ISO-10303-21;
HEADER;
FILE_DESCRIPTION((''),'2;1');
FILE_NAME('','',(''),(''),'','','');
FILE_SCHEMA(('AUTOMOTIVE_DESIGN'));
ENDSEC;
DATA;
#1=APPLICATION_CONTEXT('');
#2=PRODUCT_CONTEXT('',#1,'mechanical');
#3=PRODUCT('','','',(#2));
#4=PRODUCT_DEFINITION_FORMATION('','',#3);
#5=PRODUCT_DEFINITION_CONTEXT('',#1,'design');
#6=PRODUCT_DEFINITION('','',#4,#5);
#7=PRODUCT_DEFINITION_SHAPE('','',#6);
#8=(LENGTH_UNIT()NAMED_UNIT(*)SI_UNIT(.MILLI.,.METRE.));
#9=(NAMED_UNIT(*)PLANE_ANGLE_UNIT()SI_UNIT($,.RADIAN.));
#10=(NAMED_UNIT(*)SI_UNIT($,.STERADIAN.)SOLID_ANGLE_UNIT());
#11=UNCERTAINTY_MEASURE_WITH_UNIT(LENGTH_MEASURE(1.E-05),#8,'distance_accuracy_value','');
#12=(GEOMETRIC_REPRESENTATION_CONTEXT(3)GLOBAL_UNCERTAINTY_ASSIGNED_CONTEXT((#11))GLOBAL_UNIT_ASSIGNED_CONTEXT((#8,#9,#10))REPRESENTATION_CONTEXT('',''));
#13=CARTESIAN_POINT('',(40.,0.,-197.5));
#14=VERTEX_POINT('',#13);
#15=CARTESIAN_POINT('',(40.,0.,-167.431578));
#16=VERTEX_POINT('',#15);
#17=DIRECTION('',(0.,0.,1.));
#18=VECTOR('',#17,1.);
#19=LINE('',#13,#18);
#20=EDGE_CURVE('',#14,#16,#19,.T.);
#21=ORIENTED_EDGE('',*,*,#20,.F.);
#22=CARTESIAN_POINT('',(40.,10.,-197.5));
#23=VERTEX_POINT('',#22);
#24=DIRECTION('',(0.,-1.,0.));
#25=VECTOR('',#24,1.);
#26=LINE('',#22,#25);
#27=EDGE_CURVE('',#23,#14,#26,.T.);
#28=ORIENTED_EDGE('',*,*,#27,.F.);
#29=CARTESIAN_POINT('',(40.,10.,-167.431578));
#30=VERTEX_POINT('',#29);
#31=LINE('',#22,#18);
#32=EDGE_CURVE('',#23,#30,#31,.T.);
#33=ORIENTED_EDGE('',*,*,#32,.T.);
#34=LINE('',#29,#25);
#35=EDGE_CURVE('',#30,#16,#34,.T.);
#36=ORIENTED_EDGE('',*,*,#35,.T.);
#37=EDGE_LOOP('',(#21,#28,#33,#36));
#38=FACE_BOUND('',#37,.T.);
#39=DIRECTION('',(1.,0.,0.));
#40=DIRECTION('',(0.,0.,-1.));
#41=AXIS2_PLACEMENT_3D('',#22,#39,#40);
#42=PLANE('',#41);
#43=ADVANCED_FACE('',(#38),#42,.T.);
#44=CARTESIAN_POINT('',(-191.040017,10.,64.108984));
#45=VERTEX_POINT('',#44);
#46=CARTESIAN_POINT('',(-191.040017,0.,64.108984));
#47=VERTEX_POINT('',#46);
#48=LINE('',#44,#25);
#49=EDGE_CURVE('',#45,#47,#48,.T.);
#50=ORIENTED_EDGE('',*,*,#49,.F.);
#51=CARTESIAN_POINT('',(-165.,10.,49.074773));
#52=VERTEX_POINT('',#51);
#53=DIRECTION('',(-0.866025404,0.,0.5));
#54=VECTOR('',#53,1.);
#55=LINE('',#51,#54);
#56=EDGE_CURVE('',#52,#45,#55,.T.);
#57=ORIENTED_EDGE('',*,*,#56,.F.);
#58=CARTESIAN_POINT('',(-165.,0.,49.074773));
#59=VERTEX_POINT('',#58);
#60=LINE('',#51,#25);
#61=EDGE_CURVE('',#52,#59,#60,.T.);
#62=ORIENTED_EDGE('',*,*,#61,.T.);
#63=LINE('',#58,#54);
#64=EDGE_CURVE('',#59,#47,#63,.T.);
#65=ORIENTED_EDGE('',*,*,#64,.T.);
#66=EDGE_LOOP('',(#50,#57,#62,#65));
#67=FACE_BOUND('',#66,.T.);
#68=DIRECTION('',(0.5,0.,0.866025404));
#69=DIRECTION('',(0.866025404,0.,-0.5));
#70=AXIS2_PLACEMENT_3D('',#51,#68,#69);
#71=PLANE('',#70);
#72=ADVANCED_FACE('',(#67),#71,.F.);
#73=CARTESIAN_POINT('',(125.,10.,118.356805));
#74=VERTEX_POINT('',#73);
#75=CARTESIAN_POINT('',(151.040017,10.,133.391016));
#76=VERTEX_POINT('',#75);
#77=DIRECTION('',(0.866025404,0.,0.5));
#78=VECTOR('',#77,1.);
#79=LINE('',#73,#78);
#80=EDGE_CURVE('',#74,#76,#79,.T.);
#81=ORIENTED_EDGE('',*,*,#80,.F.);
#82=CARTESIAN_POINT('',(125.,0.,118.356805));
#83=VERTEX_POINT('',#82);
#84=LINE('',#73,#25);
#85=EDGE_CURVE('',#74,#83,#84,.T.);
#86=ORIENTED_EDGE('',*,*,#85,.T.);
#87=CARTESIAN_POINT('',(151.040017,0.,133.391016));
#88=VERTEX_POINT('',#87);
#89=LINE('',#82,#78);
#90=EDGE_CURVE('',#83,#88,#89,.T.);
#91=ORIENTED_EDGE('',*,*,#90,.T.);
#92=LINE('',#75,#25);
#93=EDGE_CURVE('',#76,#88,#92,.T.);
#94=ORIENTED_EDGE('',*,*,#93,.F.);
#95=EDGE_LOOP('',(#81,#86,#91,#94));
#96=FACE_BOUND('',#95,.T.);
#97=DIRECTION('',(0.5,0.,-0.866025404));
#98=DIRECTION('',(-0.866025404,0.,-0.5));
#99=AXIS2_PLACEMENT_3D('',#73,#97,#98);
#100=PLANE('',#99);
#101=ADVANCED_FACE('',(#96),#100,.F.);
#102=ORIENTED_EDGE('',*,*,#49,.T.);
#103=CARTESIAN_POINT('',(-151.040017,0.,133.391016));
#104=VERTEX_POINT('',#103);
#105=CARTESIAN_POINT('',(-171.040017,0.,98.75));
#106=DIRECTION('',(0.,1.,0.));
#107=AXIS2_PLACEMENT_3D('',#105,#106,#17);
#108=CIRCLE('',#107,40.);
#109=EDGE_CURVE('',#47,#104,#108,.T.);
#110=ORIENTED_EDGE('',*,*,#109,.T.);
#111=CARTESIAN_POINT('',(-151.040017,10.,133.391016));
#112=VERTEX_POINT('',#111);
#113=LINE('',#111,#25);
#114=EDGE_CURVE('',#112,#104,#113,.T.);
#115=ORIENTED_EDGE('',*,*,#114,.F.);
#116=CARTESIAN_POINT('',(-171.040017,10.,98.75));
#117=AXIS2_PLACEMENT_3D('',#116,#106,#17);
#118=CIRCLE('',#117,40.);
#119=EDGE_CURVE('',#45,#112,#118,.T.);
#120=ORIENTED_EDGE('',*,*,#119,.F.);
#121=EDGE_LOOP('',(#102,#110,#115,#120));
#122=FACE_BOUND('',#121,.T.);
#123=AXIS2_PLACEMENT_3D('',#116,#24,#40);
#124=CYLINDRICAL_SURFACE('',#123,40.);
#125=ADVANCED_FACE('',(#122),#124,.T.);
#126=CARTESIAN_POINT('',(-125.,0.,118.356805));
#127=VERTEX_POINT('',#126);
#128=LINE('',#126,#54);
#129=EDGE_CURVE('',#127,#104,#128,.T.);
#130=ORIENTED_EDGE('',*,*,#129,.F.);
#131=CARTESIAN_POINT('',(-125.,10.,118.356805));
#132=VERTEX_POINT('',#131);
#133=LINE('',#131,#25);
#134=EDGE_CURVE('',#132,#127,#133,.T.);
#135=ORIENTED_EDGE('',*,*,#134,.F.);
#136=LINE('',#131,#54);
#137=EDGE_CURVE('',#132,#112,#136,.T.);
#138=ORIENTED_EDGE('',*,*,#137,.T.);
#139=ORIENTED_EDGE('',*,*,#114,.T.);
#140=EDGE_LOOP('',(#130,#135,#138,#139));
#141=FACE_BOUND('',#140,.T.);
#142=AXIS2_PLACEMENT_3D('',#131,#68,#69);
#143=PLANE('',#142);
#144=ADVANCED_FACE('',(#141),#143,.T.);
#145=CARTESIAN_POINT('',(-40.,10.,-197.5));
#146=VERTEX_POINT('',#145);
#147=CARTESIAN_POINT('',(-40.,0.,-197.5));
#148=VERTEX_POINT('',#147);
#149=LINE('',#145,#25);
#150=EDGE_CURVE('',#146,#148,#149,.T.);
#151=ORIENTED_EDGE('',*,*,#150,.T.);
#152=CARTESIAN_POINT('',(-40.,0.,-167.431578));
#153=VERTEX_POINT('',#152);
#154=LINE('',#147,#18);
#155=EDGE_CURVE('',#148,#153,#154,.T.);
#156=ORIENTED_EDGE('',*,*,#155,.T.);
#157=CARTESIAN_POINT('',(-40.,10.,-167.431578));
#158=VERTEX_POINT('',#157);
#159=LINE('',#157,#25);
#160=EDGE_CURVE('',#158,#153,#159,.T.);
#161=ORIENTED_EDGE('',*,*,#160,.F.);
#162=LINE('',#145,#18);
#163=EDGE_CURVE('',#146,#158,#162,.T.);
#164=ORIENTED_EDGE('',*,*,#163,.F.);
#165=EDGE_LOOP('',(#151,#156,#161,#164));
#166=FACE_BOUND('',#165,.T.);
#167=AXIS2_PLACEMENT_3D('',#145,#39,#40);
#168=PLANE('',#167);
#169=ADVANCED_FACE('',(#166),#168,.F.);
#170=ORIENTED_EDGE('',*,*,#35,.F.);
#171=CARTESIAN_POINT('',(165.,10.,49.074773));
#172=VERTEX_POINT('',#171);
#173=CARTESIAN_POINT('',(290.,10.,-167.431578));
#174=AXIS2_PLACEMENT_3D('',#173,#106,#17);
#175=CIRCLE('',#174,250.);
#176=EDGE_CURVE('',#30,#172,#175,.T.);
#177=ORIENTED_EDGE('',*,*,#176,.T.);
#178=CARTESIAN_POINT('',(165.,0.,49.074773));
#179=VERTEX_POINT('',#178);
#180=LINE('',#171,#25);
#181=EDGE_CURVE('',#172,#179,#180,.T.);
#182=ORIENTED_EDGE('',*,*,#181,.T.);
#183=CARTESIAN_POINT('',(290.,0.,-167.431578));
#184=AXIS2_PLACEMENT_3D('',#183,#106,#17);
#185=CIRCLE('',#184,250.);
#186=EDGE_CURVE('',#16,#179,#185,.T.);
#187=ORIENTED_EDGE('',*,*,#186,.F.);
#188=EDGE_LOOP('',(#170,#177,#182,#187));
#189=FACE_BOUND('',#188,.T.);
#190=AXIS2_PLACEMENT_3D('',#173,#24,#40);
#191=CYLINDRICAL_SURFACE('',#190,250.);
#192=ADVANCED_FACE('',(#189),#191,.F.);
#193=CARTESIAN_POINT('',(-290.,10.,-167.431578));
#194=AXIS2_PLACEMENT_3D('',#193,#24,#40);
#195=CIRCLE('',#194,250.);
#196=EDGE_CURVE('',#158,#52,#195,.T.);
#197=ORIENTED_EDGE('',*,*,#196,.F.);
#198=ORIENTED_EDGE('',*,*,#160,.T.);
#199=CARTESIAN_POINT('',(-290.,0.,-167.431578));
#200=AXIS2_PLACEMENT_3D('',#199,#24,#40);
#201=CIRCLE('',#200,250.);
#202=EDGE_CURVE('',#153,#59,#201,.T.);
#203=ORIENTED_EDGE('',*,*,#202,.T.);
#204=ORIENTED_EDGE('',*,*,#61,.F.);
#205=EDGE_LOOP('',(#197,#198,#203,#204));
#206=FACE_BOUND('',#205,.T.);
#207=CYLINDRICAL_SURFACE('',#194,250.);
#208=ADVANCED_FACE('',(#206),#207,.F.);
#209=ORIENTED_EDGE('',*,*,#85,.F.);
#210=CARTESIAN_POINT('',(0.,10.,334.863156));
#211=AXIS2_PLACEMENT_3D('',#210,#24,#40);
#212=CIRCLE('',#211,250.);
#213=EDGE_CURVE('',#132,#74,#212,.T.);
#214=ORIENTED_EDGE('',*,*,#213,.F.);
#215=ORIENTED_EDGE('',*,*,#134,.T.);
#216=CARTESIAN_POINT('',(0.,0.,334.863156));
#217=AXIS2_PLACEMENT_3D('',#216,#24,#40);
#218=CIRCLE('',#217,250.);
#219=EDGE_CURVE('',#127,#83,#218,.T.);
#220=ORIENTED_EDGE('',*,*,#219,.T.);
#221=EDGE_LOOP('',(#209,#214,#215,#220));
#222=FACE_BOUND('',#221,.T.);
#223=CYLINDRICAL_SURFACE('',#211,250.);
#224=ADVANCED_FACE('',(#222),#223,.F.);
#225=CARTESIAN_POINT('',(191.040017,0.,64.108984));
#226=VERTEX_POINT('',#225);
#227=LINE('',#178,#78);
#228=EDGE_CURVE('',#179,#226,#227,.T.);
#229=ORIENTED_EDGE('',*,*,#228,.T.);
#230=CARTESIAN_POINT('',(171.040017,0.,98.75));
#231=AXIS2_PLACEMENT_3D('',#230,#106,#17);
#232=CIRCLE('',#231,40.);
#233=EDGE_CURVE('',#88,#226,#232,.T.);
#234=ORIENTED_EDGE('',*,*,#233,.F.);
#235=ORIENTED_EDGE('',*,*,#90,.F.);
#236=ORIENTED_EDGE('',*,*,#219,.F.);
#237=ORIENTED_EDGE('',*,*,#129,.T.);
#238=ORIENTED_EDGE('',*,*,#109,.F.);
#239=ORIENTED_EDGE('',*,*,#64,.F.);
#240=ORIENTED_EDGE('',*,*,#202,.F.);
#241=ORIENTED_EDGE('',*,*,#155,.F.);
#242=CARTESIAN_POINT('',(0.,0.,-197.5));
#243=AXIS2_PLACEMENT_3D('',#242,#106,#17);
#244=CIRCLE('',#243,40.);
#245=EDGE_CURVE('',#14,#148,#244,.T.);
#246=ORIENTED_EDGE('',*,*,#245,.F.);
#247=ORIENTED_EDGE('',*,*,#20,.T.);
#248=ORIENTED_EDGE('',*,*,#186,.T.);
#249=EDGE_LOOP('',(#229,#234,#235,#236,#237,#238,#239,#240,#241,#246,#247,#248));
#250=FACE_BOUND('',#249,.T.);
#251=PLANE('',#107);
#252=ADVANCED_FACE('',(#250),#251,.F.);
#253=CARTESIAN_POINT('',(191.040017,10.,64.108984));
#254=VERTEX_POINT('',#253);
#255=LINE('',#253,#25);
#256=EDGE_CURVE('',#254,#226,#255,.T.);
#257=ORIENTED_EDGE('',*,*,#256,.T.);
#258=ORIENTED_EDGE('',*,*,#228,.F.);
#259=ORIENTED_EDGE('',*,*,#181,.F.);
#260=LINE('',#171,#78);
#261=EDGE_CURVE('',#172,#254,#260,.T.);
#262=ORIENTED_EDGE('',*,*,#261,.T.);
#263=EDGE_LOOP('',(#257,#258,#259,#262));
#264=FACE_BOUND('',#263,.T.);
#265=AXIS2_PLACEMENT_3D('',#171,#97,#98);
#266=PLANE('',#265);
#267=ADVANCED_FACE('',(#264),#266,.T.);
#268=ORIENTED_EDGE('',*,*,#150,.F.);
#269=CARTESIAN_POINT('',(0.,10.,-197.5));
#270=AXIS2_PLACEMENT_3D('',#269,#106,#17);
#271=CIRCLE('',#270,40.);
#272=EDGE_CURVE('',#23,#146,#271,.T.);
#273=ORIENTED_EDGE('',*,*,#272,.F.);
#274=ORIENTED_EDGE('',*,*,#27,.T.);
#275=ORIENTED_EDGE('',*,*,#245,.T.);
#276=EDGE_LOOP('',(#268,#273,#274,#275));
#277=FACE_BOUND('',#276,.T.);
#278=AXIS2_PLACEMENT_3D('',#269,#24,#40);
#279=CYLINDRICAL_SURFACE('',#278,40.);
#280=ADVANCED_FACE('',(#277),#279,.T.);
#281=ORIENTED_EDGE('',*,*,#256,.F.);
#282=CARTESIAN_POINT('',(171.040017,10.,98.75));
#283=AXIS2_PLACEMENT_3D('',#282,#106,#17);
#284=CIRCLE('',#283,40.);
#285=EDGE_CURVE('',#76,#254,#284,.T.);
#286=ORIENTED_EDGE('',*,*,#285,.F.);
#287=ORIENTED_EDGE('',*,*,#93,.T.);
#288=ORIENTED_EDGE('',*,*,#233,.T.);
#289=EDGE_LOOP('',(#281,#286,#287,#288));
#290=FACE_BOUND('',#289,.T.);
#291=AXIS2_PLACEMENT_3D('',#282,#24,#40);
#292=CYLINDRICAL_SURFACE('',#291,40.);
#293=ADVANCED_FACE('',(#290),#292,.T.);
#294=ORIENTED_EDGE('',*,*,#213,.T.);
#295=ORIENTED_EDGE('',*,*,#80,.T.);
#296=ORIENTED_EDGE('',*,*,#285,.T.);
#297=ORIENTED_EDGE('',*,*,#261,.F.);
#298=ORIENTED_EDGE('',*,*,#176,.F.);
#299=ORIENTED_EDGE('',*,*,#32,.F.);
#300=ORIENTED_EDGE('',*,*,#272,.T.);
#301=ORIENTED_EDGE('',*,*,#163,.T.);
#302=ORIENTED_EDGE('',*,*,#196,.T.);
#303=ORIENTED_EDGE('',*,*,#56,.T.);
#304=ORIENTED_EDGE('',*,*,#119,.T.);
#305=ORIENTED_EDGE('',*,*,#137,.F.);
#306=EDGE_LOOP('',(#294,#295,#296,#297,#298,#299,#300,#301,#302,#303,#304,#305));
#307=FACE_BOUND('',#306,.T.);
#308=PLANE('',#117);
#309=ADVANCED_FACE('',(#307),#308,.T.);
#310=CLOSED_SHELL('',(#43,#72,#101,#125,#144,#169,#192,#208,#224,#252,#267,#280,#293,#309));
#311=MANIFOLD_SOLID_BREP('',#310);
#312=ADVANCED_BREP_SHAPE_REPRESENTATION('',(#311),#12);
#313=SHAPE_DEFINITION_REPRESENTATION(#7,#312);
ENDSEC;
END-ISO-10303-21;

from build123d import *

# Parameters (mm, degrees)
BOSS_EXTRUDE2_DEPTH = 10


with BuildPart() as part:
    # Sketch1 → Boss-Extrude2 (new body)
    with BuildSketch(Plane(origin=(0, 0, 0), x_dir=(1, 0, 0), z_dir=(0, 1, 0))):
        with BuildLine():
            Line((40, 197.5), (40, 167.431578065))
            ThreePointArc((40, 167.431578065), (73.493649054, 42.431578065), (165, -49.074772881))
            Line((165, -49.074772881), (191.040017247, -64.108983849))
            ThreePointArc((191.040017247, -64.108983849), (205.681033399, -118.75), (151.040017247, -133.391016151))
            Line((151.040017247, -133.391016151), (125, -118.356805184))
            ThreePointArc((125, -118.356805184), (0, -84.86315613), (-125, -118.356805184))
            Line((-125, -118.356805184), (-151.040017247, -133.391016151))
            ThreePointArc((-151.040017247, -133.391016151), (-205.681033399, -118.75), (-191.040017247, -64.108983849))
            Line((-191.040017247, -64.108983849), (-165, -49.074772881))
            ThreePointArc((-165, -49.074772881), (-73.493649054, 42.431578065), (-40, 167.431578065))
            Line((-40, 167.431578065), (-40, 197.5))
            ThreePointArc((-40, 197.5), (0, 237.5), (40, 197.5))
        make_face()
    extrude(amount=BOSS_EXTRUDE2_DEPTH)


solid = part.part
